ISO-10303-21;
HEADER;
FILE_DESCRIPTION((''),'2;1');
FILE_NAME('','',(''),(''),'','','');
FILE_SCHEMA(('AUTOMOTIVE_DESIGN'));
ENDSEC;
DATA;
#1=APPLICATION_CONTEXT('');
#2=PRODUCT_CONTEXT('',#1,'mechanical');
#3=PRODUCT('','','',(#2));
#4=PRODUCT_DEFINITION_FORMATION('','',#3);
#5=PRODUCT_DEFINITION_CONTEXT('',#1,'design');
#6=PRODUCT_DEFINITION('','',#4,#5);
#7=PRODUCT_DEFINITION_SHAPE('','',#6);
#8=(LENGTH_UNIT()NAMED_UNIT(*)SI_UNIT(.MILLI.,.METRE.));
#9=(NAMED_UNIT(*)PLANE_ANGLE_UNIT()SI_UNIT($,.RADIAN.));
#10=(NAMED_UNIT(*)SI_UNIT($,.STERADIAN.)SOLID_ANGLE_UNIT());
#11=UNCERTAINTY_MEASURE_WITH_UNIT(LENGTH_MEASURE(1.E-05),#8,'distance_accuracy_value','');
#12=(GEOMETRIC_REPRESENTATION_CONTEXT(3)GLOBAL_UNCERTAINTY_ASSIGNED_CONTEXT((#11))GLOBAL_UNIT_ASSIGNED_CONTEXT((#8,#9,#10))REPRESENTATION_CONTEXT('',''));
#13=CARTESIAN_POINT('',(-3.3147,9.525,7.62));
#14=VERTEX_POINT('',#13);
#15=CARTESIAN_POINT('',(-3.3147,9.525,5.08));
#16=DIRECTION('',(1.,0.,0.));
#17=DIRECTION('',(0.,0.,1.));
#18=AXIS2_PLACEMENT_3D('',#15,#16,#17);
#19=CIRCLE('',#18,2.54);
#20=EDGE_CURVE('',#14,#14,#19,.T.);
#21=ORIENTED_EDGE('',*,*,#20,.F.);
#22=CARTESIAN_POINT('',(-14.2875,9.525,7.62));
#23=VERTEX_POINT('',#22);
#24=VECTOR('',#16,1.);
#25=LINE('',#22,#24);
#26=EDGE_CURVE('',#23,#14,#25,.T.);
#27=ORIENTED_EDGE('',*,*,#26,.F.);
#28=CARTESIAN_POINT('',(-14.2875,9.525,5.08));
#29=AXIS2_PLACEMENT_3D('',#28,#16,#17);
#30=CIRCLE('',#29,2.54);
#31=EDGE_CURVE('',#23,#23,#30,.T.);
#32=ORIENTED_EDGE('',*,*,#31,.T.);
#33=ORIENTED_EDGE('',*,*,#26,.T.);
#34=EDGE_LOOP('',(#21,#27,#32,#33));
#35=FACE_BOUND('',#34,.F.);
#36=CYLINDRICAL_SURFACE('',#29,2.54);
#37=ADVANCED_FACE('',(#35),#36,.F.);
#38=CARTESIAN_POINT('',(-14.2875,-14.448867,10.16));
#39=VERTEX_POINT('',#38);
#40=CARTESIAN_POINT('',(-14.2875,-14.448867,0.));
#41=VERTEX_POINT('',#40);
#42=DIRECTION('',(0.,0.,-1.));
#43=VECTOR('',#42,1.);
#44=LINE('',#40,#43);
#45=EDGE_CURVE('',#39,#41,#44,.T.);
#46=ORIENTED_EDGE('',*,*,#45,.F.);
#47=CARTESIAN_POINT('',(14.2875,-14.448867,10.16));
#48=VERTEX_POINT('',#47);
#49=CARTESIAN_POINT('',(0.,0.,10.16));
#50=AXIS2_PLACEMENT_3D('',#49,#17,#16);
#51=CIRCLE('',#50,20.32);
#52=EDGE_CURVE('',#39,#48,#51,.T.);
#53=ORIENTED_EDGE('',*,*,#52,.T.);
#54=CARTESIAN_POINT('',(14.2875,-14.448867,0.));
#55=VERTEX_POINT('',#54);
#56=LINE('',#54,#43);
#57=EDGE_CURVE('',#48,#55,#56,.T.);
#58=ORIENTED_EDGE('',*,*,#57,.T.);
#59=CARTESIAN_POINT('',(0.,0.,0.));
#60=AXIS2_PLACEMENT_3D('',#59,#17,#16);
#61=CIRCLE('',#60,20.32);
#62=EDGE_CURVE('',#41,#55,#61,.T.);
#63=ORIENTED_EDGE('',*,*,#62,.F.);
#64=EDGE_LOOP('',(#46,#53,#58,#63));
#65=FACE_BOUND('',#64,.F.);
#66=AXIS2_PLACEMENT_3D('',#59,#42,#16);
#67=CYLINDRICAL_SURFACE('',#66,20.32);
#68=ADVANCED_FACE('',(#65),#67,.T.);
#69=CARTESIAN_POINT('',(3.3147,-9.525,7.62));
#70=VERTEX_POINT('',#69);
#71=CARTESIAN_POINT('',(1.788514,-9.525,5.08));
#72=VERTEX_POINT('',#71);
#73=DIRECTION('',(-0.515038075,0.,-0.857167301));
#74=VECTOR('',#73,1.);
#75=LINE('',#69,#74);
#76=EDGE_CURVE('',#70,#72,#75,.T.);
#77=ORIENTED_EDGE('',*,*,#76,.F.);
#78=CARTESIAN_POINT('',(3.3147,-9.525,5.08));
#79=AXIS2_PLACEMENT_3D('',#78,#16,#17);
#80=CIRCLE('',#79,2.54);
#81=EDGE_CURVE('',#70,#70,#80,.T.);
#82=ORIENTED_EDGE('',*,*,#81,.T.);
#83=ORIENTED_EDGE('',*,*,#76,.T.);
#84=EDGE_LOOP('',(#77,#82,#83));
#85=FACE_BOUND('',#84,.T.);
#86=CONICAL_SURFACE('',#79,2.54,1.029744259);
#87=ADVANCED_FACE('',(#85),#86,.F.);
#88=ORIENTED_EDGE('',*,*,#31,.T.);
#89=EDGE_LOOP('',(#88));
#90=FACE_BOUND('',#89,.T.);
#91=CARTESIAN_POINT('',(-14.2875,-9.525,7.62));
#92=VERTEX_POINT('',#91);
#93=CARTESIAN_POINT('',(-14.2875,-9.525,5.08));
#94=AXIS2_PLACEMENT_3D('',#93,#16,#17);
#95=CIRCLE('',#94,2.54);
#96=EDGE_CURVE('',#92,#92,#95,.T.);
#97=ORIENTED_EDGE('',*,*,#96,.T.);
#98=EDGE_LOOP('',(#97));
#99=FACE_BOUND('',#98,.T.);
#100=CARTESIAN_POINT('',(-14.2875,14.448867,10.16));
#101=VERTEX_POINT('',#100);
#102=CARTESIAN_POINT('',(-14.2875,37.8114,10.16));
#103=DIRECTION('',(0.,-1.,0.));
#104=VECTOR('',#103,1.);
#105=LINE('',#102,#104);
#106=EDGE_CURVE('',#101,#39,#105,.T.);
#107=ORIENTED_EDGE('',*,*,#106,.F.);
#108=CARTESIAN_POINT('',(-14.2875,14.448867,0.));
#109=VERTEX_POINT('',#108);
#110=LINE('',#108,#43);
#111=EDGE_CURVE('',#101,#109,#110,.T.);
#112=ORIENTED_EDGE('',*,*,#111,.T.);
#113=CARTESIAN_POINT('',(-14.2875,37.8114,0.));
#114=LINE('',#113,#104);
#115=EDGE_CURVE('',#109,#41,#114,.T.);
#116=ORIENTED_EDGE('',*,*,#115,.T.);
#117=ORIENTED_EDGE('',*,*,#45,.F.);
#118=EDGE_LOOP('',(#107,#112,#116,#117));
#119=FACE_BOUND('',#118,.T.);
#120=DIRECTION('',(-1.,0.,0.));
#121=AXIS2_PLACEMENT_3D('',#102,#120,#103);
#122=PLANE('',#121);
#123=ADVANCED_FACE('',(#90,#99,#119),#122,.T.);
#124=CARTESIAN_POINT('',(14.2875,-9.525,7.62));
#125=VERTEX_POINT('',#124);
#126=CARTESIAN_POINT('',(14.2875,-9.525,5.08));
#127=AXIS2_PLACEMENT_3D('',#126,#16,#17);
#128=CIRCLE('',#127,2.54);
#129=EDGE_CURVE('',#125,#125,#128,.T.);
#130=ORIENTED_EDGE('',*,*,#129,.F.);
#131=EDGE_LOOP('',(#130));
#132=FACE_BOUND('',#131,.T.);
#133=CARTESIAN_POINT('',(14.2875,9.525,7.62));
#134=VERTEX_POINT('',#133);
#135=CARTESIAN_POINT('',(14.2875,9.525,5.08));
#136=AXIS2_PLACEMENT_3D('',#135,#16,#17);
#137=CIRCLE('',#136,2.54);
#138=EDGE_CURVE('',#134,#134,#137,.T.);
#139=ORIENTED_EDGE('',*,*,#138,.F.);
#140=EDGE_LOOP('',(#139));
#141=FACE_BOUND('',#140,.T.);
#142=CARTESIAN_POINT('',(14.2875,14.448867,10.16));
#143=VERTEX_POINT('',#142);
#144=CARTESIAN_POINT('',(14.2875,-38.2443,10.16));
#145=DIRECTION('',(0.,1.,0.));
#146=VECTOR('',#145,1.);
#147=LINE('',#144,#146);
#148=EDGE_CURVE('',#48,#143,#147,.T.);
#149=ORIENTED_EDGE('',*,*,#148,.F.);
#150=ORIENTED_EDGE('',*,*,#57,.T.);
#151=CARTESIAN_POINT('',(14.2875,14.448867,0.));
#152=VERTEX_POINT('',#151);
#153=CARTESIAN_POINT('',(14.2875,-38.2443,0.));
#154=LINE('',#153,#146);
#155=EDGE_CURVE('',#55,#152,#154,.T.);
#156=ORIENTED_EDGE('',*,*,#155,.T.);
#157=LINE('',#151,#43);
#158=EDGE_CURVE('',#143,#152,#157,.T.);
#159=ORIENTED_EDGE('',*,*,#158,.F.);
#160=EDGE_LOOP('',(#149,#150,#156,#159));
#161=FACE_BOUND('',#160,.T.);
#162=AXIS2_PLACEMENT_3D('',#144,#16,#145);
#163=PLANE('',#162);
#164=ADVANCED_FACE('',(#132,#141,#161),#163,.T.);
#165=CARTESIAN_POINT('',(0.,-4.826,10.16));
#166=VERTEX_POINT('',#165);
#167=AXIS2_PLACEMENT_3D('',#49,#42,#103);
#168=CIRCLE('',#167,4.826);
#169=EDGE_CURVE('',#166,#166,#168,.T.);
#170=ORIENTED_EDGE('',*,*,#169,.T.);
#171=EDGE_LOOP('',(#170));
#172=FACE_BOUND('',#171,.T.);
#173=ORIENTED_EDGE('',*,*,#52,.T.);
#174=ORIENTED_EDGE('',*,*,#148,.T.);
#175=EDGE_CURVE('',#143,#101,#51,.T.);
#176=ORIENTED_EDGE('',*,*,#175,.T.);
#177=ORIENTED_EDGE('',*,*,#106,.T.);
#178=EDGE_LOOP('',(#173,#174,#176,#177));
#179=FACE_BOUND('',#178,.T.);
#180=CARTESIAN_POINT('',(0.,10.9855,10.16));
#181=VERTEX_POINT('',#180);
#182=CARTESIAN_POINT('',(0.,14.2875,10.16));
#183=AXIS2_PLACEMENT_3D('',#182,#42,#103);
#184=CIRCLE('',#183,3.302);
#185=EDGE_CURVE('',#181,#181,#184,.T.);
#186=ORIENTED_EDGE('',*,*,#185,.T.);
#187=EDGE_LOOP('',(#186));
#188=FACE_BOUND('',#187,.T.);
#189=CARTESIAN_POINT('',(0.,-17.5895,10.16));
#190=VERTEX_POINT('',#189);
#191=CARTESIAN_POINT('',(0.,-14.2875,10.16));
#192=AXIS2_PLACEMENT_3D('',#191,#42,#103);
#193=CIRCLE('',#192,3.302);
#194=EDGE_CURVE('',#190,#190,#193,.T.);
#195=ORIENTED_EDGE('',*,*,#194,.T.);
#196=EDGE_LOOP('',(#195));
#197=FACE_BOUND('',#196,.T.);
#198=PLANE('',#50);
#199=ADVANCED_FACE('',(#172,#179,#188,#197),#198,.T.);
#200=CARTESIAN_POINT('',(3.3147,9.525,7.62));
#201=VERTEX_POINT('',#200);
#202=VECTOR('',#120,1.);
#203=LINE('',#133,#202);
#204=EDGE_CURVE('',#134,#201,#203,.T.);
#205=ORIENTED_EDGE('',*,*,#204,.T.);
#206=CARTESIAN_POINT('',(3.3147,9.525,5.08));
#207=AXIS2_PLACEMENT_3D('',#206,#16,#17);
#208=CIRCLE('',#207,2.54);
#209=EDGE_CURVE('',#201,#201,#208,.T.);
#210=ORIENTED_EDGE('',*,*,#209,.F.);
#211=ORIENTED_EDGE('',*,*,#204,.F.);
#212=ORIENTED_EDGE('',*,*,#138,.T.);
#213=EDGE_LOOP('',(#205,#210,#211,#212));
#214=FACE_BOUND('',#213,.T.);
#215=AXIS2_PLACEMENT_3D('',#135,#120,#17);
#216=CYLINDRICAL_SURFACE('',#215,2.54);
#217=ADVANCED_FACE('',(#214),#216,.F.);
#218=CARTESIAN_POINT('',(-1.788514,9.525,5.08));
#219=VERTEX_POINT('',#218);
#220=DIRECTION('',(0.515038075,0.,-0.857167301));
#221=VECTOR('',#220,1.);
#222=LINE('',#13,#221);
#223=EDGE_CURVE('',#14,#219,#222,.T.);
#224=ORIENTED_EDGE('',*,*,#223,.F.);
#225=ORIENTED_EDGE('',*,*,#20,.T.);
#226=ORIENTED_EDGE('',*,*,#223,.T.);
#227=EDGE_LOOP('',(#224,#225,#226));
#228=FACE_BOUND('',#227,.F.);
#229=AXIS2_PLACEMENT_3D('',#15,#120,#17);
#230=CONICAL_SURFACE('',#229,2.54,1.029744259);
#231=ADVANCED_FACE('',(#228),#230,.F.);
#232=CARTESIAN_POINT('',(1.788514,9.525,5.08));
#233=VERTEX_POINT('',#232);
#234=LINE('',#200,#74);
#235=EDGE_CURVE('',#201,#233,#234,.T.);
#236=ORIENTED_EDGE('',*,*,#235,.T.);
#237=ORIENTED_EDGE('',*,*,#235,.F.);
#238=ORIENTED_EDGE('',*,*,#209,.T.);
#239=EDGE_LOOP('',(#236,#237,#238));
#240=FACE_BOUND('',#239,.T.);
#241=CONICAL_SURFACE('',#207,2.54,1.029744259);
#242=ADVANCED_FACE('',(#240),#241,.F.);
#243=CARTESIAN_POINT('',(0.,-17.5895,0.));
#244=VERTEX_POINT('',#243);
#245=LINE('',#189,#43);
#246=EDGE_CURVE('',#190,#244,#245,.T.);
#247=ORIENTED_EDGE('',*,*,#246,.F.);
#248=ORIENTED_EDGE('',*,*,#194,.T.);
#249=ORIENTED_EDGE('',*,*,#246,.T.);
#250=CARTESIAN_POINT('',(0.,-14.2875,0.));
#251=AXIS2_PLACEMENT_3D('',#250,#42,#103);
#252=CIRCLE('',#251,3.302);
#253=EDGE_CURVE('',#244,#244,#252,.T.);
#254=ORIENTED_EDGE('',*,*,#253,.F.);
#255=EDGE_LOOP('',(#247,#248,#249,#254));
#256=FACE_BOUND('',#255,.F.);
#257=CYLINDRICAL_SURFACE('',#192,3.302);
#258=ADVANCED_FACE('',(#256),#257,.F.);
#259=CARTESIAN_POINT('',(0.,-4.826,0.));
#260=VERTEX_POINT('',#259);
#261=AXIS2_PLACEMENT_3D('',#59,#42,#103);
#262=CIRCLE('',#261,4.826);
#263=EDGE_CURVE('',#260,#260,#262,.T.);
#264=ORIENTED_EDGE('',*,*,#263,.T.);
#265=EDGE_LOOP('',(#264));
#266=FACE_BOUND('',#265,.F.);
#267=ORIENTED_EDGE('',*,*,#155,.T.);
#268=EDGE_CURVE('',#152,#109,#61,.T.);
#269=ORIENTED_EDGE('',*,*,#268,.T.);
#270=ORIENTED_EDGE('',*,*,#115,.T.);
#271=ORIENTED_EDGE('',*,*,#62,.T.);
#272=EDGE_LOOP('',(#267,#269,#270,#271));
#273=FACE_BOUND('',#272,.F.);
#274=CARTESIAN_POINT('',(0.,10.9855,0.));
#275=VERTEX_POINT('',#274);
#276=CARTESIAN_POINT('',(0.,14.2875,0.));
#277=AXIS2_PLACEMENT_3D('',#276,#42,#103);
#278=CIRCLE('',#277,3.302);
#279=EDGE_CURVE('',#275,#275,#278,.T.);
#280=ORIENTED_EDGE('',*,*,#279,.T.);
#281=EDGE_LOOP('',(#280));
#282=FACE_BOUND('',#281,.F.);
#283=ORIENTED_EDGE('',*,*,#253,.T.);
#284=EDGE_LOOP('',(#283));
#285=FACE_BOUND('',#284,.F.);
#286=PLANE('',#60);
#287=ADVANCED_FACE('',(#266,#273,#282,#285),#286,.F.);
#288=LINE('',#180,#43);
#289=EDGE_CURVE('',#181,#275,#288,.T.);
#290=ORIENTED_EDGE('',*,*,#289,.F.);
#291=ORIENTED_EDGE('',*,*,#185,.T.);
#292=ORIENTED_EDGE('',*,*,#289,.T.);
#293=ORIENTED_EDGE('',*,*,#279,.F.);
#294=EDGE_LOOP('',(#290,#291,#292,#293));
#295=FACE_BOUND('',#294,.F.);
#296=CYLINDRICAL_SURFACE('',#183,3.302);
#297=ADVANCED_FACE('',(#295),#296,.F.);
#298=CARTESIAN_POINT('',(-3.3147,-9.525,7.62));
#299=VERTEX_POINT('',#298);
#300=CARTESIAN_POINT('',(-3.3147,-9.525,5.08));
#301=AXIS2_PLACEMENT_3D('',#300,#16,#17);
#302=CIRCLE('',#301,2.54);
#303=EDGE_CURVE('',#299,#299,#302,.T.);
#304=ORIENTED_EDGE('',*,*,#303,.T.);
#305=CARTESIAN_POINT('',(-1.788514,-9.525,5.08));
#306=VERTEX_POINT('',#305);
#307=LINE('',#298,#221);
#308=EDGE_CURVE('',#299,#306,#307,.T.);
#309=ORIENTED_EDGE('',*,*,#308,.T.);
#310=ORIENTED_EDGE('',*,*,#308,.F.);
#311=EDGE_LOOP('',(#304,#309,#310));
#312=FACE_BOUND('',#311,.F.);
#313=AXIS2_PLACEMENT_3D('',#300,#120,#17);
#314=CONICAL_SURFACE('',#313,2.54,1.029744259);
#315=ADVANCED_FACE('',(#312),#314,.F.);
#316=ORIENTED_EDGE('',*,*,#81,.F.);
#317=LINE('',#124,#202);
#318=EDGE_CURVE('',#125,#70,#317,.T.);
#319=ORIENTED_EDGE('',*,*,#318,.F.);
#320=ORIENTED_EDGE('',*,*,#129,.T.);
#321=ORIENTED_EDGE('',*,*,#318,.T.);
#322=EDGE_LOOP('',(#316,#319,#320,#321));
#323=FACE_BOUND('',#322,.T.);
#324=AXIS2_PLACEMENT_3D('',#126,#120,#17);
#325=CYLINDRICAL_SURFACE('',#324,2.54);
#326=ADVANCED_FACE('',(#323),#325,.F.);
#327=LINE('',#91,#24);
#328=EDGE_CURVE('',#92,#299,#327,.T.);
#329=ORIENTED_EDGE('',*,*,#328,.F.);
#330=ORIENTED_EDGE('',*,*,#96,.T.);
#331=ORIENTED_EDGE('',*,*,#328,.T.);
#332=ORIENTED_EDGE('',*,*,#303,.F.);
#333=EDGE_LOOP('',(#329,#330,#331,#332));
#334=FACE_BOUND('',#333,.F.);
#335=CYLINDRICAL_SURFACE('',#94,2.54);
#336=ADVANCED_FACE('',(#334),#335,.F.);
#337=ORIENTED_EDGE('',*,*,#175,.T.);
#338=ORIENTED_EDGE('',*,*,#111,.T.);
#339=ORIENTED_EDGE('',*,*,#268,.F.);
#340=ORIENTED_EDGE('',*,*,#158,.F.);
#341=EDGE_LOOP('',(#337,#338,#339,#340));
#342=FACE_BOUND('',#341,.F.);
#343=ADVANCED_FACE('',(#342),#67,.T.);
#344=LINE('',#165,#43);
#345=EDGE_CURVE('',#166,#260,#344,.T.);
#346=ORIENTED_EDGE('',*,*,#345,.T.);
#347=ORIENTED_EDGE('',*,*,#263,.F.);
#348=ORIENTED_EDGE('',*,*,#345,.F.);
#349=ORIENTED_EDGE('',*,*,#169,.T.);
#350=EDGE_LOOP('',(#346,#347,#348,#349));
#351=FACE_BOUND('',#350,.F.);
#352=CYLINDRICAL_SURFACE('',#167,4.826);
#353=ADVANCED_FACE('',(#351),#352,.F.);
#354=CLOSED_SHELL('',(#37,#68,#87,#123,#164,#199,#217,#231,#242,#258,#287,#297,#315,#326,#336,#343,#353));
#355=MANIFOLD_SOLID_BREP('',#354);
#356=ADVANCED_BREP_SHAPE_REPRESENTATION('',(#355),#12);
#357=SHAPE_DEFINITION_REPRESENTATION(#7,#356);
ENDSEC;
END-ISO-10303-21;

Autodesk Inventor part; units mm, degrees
ref_plane "YZ Plane" through (0, 0, 0) normal (1, 0, 0) x (0, 1, 0)
ref_plane "XZ Plane" through (0, 0, 0) normal (0, 1, 0) x (-1, 0, 0)
sketch "Sketch1" plane through (0, 0, 0) normal (0, 0, 1) x (1, 0, 0)
  circle A0 centre (0, 0) radius 20.32
  dimension "d0" = 40.64
extrude "Extrusion1" add sketch "Sketch1" along normal blind 10.16
sketch "Sketch2" plane through (0, 0, 10.16) normal (0, 0, 1) x (1, 0, 0)
  point P0 (0, 0)
  point P1 (0, 0)
hole "Hole1" at (0, 0, 10.16) direction (0, 0, -1) diameter 9.652 depth 10.9728 tip angle 118
sketch "Sketch3" plane through (0, 0, 10.16) normal (0, 0, 1) x (1, 0, 0)
  point P0 (0, 0)
  point P1 (0, 14.2875)
  point P2 (0, -14.2875)
  dimension "d10" = 28.575
  dimension "d11" = 14.2875
hole "Hole2" at (0, 14.2875, 10.16) at (0, -14.2875, 10.16) direction (0, 0, -1) diameter 6.604 depth 10.9728 tip angle 118
sketch "Sketch4" plane through (0, 0, 10.16) normal (0, 0, 1) x (1, 0, 0)
  line L0 (-14.2875, -38.2443) -> (14.2875, -38.2443)
  line L1 (14.2875, -38.2443) -> (14.2875, 37.8114)
  line L2 (14.2875, 37.8114) -> (-14.2875, 37.8114)
  line L3 (-14.2875, 37.8114) -> (-14.2875, -38.2443)
  line L4 (-54.4025, 52.7865) -> (43.8573, 52.7865)
  line L5 (43.8573, 52.7865) -> (43.8573, -66.4941)
  line L6 (43.8573, -66.4941) -> (-54.4025, -66.4941)
  line L7 (-54.4025, -66.4941) -> (-54.4025, 52.7865)
  point P0 (0, 0)
  dimension "d19" = 28.575
  dimension "d20" = 14.2875
extrude "Extrusion2" cut sketch "Sketch4" against normal blind 10.16
sketch "Sketch5" plane through (-14.2875, -14.4489, 10.16) normal (-1, 0, 0) x (0, 0, 1)
  line L0 (0, 0) -> (-10.16, 0) projected
  line L1 (0, 28.8977) -> (0, 0) projected
  line L2 (-10.16, 28.8977) -> (0, 28.8977) projected
  line L3 (-10.16, 0) -> (-10.16, 28.8977) projected
  point P0 (-10.16, 14.4489)
  point P1 (-5.08, 23.9739)
  point P2 (-5.08, 4.9239)
  dimension "d23" = 10.16
  dimension "d24" = 5.08
  dimension "d25" = 5.08
  dimension "d26" = 19.05
  dimension "d27" = 28.8977
  dimension "d28" = 4.9239
hole "Hole3" at (-14.2875, 9.525, 5.08) at (-14.2875, -9.525, 5.08) direction (1, 0, 0) diameter 5.08 depth 10.9728 tip angle 118
ref_plane "Work Plane1" through (0, -14.4489, 10.16) normal (1, 0, 0) x (0, 0, -1)
mirror "Mirror1" about plane through (0, -14.4489, 10.16) normal (1, 0, 0) of "Hole3"
equation "\"d11\" = 0.5 * d10"
equation "\"d20\" = 0.5 * d19"
equation "\"d24\" = 0.5 * d23"
equation "\"d25\" = d24"
equation "\"d28\" = -0.5 * d26 + 0.5 * d27"
